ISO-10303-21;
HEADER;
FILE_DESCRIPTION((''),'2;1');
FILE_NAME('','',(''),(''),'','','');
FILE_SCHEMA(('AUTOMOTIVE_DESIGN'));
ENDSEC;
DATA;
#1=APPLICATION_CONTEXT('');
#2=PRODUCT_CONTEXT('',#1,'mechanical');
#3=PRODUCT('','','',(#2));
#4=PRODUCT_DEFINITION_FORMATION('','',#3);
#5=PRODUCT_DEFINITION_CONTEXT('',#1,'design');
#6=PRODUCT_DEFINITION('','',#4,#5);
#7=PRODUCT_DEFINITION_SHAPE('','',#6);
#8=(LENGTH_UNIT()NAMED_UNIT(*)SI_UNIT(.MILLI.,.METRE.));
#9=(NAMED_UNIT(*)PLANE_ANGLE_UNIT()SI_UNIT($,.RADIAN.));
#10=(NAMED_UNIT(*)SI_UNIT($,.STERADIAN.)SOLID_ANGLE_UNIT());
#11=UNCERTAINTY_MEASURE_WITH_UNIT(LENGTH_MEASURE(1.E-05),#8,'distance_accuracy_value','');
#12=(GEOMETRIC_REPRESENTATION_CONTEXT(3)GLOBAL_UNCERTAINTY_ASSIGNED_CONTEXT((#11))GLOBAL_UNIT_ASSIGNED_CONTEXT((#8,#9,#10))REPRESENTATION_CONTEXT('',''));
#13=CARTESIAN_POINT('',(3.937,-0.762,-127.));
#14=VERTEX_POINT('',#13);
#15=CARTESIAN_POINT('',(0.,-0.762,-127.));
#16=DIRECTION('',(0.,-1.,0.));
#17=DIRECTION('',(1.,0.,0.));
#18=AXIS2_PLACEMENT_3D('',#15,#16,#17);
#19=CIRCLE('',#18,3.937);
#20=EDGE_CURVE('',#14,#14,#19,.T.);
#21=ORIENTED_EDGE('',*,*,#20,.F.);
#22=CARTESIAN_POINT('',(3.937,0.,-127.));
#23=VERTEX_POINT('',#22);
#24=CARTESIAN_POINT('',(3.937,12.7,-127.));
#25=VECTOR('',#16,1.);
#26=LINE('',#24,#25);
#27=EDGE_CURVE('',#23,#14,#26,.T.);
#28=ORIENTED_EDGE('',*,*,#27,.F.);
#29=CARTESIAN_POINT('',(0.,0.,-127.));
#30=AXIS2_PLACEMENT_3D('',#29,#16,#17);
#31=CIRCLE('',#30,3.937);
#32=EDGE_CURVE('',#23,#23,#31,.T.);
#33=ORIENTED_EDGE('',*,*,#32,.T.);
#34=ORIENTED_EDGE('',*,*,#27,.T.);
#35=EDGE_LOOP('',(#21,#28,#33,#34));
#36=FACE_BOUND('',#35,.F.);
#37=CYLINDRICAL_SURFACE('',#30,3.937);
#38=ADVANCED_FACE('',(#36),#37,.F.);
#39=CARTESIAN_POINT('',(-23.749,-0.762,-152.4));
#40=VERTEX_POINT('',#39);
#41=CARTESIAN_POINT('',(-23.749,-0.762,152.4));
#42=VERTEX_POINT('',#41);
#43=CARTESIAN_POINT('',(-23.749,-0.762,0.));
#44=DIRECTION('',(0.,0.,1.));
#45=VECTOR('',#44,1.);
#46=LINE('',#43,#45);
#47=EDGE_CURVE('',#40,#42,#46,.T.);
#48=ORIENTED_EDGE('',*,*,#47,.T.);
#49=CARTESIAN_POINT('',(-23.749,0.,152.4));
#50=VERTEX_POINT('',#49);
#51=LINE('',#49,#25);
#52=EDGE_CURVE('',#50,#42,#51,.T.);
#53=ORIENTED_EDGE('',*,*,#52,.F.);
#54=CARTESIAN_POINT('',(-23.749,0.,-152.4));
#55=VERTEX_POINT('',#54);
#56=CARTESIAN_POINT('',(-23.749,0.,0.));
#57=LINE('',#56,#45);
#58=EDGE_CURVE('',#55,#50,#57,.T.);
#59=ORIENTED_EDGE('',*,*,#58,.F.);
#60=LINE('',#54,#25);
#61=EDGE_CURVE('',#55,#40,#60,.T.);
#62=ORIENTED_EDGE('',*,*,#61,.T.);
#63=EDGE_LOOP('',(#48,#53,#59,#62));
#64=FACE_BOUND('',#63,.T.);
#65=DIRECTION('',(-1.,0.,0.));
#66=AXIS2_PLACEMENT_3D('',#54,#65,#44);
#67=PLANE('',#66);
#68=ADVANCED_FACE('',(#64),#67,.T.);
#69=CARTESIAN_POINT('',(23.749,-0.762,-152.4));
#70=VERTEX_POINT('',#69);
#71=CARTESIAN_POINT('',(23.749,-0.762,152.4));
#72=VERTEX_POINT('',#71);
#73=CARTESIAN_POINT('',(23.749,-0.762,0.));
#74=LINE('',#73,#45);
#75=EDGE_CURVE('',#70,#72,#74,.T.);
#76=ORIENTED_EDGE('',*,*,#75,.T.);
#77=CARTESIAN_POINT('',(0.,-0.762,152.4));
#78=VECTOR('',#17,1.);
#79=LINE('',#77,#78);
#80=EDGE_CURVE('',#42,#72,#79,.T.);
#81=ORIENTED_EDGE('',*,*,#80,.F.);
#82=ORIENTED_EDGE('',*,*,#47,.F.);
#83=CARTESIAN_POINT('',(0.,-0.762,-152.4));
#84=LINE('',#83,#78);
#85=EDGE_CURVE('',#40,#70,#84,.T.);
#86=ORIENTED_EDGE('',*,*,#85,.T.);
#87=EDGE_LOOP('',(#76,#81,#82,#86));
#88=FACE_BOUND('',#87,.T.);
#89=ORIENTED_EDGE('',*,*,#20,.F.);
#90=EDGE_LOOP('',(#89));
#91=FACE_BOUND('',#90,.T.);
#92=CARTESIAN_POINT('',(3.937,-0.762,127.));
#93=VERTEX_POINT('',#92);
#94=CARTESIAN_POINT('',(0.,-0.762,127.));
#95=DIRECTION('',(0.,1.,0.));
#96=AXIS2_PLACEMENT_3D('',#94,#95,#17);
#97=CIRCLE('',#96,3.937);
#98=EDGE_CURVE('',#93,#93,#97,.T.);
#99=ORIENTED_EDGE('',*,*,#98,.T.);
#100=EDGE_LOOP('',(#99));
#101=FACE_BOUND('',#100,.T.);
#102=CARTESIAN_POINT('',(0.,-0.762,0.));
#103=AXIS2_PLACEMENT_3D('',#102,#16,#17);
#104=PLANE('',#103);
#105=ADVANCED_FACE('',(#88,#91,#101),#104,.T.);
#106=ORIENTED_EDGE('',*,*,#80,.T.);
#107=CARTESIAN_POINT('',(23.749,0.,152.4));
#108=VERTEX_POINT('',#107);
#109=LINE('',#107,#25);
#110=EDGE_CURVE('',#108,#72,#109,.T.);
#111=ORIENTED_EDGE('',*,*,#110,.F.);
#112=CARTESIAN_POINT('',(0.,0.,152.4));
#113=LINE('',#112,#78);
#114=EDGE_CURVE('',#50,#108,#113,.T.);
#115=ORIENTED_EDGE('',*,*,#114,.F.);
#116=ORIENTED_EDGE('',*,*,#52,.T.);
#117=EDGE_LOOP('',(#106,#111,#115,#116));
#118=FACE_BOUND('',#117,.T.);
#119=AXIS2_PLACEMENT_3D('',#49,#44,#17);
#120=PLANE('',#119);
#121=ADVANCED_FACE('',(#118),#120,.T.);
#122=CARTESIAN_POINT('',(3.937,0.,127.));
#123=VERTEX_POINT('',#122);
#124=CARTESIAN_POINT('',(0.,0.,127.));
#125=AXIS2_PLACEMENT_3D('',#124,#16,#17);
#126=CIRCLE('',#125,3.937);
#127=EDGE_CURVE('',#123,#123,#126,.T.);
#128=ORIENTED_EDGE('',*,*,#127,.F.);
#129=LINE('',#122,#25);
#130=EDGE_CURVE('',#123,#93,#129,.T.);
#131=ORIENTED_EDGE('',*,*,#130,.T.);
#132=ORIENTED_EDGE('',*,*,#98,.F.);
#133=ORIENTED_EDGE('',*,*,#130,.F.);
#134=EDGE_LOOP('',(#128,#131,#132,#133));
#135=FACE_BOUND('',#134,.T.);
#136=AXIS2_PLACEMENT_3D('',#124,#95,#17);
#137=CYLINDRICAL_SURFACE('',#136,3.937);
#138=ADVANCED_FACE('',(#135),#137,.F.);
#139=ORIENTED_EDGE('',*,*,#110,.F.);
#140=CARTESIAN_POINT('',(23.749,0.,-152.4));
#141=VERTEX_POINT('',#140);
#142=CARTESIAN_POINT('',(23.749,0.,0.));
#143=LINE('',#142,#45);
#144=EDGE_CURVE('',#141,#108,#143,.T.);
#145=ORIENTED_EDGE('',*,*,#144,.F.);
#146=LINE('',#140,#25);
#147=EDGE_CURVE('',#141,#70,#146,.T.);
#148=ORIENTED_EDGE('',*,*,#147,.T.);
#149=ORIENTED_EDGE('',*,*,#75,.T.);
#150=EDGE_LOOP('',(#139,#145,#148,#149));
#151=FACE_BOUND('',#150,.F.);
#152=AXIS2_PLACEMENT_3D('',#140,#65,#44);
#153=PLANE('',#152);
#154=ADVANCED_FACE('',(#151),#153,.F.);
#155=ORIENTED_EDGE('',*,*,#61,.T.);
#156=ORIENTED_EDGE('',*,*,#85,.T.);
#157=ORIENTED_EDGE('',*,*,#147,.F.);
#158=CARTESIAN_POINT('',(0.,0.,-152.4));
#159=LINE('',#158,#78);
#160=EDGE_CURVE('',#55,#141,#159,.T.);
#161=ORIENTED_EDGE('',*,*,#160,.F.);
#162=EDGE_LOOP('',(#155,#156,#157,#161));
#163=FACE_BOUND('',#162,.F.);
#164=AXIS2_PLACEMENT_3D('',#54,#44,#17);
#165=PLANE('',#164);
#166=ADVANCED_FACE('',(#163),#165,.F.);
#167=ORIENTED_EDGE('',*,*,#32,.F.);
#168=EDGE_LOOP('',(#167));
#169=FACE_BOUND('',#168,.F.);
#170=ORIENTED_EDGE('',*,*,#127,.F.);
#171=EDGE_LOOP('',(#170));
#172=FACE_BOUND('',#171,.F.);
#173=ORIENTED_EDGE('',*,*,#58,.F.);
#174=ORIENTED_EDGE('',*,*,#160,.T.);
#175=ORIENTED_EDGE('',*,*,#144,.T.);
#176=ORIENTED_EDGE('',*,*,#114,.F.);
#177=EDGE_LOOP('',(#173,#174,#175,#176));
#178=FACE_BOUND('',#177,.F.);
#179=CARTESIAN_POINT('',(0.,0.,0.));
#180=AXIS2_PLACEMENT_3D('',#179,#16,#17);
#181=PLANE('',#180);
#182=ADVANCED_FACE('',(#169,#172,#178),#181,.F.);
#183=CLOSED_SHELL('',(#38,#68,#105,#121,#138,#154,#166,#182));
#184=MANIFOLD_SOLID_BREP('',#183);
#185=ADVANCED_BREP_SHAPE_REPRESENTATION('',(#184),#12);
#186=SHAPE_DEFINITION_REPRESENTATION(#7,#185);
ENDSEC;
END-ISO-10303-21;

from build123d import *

# Parameters (mm, degrees)
F0_W     = 47.498
F0_H     = 304.8
F1_DEPTH = 0.762
F2_R     = 3.937
F3_DEPTH = 12.7


with BuildPart() as f1:
    # F0 (on Front) → F1 (new body)
    with BuildSketch(Plane.XZ):
        Rectangle(F0_W, F0_H)
    extrude(amount=F1_DEPTH)

    # F2 (on Front) → F3 (cut, symmetric)
    with BuildSketch(Plane.XZ):
        with Locations((0, 127)):
            Circle(F2_R)
        with Locations((0, -127)):
            Circle(F2_R)
    extrude(amount=F3_DEPTH, both=True, mode=Mode.SUBTRACT)


solid = f1.part
